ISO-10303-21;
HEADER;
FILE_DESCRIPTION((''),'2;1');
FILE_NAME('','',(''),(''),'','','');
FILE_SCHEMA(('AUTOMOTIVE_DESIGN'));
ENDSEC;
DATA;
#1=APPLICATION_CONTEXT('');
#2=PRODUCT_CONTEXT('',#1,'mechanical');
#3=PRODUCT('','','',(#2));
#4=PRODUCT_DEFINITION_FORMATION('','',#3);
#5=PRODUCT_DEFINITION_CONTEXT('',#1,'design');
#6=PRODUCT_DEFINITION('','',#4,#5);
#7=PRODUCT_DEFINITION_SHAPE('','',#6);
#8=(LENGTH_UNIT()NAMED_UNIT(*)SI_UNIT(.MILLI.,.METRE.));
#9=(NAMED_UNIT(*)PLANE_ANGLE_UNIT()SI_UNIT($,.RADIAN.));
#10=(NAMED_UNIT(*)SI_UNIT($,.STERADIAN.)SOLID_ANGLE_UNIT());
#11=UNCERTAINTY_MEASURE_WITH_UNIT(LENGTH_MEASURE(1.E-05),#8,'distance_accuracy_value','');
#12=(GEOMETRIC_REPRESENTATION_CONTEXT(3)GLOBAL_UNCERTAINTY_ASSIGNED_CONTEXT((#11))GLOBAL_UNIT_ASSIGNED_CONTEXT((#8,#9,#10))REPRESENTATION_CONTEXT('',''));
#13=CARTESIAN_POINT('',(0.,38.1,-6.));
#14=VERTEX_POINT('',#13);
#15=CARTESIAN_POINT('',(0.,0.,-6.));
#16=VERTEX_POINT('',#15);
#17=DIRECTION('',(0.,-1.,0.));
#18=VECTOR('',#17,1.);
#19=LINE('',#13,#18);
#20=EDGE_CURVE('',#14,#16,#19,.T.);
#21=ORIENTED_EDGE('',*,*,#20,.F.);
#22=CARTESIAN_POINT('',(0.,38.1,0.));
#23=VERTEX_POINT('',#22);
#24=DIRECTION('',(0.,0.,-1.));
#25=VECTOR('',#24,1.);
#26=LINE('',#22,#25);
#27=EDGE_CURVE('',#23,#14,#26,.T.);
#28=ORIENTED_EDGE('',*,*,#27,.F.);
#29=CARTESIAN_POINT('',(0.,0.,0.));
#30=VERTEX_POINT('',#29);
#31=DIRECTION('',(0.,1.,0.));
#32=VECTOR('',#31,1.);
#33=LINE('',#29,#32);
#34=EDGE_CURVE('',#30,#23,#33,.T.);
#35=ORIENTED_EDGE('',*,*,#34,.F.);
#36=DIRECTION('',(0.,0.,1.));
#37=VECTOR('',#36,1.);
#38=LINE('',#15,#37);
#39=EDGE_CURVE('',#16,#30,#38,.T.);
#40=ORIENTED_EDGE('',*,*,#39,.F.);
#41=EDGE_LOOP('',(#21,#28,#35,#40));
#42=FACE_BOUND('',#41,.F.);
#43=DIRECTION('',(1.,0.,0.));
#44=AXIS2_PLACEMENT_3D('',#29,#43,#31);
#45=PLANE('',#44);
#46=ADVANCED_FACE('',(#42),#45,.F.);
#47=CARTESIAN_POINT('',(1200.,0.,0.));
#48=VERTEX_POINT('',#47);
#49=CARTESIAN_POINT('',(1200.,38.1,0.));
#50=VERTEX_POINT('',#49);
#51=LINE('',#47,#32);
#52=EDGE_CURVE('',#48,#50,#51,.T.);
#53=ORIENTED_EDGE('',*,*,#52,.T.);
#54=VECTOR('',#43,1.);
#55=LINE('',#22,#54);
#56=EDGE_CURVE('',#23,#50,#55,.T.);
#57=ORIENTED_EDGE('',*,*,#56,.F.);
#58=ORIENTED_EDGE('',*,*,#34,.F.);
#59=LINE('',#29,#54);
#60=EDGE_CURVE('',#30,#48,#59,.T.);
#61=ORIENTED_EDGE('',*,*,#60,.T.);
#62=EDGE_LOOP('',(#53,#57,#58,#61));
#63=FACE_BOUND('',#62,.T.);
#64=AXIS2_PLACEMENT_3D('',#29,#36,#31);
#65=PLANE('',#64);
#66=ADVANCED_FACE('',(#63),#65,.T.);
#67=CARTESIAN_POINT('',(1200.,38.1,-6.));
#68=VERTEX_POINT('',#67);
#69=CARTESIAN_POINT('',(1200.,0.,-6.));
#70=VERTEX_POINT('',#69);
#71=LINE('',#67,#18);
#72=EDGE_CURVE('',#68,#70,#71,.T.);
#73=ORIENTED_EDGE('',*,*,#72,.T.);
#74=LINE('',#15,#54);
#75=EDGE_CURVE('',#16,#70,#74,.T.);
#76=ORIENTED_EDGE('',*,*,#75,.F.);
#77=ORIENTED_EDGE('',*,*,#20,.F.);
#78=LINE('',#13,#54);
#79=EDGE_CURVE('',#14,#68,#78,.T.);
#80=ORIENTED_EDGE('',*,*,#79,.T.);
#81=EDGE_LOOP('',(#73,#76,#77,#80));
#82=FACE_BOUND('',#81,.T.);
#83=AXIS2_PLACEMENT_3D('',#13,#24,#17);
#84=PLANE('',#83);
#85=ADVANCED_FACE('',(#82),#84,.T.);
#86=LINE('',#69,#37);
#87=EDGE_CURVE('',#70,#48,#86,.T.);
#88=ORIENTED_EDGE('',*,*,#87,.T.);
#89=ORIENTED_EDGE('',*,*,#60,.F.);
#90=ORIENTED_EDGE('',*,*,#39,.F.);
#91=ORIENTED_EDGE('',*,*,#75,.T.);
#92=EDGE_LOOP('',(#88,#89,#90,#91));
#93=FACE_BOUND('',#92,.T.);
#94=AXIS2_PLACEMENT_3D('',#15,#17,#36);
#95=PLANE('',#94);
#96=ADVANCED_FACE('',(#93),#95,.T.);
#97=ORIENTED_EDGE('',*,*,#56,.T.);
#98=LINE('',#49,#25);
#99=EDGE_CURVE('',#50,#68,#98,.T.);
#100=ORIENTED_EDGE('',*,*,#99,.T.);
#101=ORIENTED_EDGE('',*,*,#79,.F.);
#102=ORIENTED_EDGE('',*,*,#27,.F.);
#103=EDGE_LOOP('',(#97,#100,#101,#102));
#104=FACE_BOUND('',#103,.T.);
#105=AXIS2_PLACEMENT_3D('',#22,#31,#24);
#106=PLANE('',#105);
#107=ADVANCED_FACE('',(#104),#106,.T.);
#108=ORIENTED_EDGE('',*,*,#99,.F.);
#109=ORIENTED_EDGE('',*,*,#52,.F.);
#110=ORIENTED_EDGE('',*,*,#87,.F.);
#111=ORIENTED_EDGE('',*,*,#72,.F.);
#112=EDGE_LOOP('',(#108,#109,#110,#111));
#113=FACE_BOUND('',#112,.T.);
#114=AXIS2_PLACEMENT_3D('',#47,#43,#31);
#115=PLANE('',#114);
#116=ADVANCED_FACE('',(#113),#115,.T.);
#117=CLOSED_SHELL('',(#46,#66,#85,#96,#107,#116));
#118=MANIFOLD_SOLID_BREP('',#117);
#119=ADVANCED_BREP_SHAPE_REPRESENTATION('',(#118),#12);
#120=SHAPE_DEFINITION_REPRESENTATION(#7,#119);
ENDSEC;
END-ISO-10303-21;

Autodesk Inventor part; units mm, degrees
ref_plane "YZ Plane" through (0, 0, 0) normal (1, 0, 0) x (0, 1, 0)
ref_plane "XZ Plane" through (0, 0, 0) normal (0, 1, 0) x (-1, 0, 0)
ref_plane "XY Plane" through (0, 0, 0) normal (0, 0, 1) x (1, 0, 0)
sketch "Sketch1" plane through (0, 0, 0) normal (1, 0, 0) x (0, 1, 0)
  line L0 (0, 0) -> (38.1, 0)
  line L1 (38.1, 0) -> (38.1, -6)
  line L2 (38.1, -6) -> (0, -6)
  line L3 (0, -6) -> (0, 0)
  dimension "d0" = 38.1
  dimension "d1" = 6
extrude "Extrusion1" add sketch "Sketch1" along normal blind 1200
properties part number "Piano Hinge" material "Steel"
